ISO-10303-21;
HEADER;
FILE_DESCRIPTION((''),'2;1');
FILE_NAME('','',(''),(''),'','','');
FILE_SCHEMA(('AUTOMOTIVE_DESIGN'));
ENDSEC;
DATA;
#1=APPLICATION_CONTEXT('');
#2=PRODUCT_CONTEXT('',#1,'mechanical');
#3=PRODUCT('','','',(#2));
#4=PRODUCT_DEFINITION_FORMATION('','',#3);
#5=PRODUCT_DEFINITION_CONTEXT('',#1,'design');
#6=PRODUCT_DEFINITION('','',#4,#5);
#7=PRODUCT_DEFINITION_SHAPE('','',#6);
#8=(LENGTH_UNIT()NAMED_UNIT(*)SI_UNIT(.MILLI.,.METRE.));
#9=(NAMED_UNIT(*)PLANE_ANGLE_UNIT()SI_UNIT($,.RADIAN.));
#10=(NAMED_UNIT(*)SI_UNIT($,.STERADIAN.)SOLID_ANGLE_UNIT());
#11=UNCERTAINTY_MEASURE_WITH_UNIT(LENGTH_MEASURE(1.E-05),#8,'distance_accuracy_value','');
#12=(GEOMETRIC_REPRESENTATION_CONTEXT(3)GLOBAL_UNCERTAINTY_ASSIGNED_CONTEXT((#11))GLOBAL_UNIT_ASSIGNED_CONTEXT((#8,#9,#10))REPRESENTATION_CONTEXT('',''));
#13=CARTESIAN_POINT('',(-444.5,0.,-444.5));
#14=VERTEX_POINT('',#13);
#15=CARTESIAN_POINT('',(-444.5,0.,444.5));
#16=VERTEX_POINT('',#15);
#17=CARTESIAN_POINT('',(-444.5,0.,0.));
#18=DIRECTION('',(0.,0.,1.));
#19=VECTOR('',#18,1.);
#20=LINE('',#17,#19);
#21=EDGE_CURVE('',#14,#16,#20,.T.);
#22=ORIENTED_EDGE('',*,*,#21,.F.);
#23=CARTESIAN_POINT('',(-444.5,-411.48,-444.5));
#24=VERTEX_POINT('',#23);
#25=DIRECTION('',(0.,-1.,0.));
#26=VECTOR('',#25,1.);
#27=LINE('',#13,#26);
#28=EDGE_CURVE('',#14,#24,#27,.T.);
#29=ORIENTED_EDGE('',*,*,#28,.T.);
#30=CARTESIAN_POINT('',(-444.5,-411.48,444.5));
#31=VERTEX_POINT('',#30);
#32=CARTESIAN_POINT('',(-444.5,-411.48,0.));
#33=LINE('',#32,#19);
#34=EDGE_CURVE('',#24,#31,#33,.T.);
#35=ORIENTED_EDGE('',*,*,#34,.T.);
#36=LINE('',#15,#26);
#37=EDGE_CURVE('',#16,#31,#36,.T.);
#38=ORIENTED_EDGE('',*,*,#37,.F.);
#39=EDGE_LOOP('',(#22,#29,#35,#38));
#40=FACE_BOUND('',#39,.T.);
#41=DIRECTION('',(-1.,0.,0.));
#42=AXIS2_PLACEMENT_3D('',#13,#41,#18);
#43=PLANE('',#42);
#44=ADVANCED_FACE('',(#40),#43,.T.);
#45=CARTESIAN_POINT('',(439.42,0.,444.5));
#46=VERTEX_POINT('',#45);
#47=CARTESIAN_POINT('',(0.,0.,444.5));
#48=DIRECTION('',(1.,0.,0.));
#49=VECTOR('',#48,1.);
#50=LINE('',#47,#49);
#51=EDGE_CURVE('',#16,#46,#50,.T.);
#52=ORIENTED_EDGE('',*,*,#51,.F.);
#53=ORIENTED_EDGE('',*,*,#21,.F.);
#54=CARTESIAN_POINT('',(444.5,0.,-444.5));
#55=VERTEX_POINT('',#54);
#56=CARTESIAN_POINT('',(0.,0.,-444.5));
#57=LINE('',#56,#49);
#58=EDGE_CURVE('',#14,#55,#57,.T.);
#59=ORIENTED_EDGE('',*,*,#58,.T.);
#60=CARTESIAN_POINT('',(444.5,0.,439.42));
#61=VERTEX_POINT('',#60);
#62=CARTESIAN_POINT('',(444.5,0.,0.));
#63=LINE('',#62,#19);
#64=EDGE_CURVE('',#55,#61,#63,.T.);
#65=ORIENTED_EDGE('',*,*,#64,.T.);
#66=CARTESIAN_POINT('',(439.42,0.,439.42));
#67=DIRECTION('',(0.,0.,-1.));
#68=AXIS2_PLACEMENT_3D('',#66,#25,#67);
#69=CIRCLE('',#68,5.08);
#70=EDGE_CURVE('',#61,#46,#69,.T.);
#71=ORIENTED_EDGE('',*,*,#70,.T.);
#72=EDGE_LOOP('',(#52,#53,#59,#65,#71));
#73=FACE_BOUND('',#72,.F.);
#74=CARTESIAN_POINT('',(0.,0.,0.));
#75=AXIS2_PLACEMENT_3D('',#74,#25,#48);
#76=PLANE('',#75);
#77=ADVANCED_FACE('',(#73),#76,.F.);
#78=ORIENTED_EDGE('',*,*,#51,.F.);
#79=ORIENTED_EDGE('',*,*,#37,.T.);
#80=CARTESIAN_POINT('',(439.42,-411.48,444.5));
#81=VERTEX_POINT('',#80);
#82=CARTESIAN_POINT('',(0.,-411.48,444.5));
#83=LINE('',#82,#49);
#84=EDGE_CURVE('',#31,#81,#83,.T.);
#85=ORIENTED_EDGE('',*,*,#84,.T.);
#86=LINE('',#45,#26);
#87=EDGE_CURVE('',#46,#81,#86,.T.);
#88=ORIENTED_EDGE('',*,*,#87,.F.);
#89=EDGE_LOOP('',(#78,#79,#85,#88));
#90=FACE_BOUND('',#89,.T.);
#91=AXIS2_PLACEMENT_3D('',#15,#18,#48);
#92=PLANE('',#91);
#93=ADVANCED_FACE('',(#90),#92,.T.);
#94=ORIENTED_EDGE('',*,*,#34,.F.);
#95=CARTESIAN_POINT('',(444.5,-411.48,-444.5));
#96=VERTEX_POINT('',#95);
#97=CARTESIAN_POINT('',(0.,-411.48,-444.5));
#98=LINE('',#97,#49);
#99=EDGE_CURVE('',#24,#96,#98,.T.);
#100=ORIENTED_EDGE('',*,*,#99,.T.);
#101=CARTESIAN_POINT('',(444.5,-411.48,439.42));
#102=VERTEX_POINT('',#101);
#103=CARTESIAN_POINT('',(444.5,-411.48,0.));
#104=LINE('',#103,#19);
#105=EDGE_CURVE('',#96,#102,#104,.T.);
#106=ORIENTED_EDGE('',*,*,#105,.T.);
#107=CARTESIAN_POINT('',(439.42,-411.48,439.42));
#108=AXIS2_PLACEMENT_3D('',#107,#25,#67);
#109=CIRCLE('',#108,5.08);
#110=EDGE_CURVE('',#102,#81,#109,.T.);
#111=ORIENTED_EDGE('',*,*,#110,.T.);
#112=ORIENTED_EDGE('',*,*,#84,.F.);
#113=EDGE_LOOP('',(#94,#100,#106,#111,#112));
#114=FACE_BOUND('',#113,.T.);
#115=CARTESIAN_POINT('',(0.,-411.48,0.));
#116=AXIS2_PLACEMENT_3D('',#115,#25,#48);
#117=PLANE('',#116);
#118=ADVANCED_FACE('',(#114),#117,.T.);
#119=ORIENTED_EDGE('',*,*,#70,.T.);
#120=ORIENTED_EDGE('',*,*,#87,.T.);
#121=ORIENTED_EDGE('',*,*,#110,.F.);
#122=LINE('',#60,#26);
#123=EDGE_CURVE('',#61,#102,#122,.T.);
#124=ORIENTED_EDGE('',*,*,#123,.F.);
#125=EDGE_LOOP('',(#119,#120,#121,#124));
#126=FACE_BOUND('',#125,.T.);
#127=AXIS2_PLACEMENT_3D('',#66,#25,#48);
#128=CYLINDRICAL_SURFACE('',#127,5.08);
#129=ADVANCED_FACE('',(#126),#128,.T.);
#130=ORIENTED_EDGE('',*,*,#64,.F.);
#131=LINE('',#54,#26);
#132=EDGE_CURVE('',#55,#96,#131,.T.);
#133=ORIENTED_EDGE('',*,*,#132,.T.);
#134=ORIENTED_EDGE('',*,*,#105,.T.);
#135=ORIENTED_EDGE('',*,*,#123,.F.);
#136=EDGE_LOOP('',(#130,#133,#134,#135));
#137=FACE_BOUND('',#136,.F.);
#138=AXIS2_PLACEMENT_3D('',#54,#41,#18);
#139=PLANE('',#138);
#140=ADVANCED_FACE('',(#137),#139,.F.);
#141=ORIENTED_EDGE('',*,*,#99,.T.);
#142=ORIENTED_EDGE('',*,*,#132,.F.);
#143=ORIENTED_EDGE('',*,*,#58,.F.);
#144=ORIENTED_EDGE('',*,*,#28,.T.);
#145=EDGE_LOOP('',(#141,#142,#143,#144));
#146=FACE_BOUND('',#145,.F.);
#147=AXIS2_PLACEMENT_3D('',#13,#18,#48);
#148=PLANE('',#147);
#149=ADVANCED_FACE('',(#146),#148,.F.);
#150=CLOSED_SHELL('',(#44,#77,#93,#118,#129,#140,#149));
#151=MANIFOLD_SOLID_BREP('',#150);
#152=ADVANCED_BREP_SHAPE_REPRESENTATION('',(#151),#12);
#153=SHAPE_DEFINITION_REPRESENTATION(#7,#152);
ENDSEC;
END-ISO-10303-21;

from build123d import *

# Parameters (mm, degrees)
F0_W     = 889
F0_H     = 889
F1_DEPTH = 411.48
F2_R     = 5.08


with BuildPart() as f1:
    # F0 (on Front) → F1 (new body)
    with BuildSketch(Plane.XZ):
        Rectangle(F0_W, F0_H)
    extrude(amount=F1_DEPTH)

    # F2
    f2_edges = [f1.edges().sort_by_distance(p)[0] for p in [
        (444.5, -205.74, 444.5),
    ]]
    fillet(f2_edges, radius=F2_R)


solid = f1.part
